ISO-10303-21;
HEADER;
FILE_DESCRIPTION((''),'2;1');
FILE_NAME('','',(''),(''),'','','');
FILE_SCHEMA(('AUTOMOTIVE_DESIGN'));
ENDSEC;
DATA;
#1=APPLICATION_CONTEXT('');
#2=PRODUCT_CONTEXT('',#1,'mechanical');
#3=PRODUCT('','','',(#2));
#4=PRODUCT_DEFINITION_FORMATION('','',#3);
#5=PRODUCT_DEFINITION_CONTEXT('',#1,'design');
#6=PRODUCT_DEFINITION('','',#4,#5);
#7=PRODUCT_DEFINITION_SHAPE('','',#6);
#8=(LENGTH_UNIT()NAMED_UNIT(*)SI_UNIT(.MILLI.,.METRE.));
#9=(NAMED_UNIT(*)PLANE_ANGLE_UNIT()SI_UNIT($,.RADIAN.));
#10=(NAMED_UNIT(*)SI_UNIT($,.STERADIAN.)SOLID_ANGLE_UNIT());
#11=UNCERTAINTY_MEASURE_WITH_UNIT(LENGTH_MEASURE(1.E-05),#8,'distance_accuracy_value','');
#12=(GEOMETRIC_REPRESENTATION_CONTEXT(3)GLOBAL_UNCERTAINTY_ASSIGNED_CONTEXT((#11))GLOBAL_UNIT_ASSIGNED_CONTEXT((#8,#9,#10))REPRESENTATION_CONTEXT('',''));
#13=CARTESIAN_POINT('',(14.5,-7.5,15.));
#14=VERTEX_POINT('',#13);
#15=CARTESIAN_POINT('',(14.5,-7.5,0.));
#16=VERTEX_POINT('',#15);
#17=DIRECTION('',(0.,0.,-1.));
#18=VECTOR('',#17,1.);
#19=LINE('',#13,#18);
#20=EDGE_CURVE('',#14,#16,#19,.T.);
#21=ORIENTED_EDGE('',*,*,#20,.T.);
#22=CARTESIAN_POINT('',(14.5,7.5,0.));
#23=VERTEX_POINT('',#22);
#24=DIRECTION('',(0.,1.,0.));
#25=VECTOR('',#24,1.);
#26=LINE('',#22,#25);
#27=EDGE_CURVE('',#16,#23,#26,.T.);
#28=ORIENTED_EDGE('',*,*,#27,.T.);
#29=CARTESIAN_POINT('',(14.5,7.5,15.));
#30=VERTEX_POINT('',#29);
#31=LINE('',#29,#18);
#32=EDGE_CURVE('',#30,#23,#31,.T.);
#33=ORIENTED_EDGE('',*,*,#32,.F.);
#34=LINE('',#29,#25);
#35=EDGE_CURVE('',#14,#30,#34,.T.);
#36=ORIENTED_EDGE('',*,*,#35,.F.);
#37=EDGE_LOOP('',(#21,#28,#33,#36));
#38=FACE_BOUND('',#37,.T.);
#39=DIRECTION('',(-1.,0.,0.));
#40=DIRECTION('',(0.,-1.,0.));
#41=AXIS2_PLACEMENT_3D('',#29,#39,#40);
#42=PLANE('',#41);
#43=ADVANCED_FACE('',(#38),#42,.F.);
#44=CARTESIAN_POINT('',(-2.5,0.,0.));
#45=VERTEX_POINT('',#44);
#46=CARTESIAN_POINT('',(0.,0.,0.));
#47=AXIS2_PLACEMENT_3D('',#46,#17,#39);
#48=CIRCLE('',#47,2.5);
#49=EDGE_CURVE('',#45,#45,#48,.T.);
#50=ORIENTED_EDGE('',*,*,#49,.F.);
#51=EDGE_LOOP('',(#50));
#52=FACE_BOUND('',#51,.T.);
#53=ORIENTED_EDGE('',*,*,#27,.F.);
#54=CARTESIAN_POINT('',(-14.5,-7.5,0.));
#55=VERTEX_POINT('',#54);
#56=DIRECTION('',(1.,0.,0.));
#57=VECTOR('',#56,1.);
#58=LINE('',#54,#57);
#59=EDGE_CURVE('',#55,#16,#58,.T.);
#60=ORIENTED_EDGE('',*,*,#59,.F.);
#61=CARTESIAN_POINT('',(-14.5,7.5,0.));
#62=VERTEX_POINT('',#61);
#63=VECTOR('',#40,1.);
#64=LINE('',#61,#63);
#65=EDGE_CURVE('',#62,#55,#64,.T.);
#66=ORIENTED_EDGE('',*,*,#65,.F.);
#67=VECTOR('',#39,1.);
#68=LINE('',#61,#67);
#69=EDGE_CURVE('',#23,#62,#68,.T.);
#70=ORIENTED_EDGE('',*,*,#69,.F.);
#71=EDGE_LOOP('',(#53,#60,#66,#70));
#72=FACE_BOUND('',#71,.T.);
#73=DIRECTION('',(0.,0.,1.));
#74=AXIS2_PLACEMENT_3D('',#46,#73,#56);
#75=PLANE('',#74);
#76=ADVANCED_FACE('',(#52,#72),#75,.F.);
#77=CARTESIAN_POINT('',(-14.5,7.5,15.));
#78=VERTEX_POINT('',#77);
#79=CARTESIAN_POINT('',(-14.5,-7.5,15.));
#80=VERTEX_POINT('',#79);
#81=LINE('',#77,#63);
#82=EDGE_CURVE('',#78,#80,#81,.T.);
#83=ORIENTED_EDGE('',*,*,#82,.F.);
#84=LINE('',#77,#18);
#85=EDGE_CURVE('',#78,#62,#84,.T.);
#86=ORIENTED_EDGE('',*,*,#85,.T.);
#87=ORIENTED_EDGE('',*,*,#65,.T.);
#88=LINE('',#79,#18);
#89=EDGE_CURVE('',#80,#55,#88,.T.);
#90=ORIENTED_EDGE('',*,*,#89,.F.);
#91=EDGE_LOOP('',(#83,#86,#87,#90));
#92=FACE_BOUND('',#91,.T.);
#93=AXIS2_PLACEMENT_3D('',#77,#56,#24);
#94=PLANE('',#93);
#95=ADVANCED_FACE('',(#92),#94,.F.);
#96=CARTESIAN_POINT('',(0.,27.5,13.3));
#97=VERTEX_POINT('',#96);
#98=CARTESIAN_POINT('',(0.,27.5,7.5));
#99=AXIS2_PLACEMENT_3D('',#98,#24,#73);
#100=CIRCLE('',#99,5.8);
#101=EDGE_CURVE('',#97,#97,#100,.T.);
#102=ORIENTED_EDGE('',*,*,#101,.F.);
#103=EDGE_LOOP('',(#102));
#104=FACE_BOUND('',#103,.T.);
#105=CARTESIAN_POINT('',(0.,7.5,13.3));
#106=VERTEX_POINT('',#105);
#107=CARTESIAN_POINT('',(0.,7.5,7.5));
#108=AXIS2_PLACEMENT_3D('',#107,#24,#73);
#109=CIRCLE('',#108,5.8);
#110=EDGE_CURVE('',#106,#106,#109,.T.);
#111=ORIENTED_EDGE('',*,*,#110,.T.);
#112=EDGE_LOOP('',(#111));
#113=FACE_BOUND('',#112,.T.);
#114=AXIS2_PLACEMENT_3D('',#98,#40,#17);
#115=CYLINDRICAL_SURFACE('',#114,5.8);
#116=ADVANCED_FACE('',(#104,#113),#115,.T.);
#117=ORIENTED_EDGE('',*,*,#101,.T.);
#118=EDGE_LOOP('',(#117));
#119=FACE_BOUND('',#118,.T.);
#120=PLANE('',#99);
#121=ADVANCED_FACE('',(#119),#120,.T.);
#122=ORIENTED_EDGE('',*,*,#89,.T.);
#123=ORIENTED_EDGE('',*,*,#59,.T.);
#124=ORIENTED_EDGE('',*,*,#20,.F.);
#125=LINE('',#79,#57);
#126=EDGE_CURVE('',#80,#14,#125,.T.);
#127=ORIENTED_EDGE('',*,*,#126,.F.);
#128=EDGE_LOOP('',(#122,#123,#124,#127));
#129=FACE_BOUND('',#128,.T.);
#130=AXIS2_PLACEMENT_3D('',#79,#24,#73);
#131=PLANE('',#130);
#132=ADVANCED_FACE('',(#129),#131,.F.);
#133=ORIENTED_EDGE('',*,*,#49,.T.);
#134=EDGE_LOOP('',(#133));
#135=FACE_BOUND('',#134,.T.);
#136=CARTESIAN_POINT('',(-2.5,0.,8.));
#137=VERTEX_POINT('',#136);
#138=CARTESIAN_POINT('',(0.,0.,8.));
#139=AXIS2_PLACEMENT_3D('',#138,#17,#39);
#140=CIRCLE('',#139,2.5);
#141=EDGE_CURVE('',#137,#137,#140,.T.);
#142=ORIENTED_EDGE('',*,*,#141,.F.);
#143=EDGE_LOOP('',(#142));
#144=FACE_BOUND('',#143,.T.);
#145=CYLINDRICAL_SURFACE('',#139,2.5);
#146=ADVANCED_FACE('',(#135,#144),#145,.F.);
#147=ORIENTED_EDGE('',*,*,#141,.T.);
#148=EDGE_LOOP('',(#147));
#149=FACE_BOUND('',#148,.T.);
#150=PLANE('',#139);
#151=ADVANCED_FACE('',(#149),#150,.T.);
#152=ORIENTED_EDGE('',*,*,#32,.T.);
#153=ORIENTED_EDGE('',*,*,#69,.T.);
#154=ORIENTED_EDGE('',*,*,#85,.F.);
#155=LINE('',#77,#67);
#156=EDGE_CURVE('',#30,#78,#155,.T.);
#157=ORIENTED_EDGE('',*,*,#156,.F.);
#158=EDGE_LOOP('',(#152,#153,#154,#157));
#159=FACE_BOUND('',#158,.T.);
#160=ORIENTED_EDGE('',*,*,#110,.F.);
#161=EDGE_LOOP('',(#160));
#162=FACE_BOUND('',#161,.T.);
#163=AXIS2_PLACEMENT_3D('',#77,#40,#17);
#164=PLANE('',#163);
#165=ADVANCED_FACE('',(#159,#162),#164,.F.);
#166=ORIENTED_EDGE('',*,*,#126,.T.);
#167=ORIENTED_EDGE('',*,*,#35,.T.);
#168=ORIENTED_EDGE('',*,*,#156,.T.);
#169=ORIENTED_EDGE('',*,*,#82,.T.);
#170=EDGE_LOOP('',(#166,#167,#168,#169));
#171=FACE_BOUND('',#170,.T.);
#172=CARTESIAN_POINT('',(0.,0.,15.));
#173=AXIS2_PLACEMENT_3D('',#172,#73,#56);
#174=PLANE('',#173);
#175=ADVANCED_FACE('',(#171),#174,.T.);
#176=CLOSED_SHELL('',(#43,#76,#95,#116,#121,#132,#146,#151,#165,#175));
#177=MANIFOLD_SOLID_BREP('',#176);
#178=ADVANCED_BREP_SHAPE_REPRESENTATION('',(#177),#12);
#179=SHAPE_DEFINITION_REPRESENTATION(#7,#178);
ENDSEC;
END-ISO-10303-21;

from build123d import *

# Parameters (mm, degrees)
SKETCH1_W           = 29
SKETCH1_H           = 15
BOSS_EXTRUDE1_DEPTH = 15
SKETCH2_R           = 5.8
BOSS_EXTRUDE2_DEPTH = 20
SKETCH3_R           = 2.5
CUT_EXTRUDE1_DEPTH  = 8


with BuildPart() as part:
    # Sketch1 → Boss-Extrude1 (new body)
    with BuildSketch(Plane.XY):
        Rectangle(SKETCH1_W, SKETCH1_H)
    extrude(amount=BOSS_EXTRUDE1_DEPTH)

    # Sketch2 → Boss-Extrude2 (add)
    with BuildSketch(Plane(origin=(0, 7.5, 0), x_dir=(1, 0, 0), z_dir=(0, 1, 0))):
        with Locations((0, -7.5)):
            Circle(SKETCH2_R)
    extrude(amount=BOSS_EXTRUDE2_DEPTH)

    # Sketch3 → Cut-Extrude1 (cut)
    with BuildSketch(Plane(origin=(0, 0, 0), x_dir=(-1, 0, 0), z_dir=(0, 0, -1))):
        Circle(SKETCH3_R)
    extrude(amount=-CUT_EXTRUDE1_DEPTH, mode=Mode.SUBTRACT)


solid = part.part
